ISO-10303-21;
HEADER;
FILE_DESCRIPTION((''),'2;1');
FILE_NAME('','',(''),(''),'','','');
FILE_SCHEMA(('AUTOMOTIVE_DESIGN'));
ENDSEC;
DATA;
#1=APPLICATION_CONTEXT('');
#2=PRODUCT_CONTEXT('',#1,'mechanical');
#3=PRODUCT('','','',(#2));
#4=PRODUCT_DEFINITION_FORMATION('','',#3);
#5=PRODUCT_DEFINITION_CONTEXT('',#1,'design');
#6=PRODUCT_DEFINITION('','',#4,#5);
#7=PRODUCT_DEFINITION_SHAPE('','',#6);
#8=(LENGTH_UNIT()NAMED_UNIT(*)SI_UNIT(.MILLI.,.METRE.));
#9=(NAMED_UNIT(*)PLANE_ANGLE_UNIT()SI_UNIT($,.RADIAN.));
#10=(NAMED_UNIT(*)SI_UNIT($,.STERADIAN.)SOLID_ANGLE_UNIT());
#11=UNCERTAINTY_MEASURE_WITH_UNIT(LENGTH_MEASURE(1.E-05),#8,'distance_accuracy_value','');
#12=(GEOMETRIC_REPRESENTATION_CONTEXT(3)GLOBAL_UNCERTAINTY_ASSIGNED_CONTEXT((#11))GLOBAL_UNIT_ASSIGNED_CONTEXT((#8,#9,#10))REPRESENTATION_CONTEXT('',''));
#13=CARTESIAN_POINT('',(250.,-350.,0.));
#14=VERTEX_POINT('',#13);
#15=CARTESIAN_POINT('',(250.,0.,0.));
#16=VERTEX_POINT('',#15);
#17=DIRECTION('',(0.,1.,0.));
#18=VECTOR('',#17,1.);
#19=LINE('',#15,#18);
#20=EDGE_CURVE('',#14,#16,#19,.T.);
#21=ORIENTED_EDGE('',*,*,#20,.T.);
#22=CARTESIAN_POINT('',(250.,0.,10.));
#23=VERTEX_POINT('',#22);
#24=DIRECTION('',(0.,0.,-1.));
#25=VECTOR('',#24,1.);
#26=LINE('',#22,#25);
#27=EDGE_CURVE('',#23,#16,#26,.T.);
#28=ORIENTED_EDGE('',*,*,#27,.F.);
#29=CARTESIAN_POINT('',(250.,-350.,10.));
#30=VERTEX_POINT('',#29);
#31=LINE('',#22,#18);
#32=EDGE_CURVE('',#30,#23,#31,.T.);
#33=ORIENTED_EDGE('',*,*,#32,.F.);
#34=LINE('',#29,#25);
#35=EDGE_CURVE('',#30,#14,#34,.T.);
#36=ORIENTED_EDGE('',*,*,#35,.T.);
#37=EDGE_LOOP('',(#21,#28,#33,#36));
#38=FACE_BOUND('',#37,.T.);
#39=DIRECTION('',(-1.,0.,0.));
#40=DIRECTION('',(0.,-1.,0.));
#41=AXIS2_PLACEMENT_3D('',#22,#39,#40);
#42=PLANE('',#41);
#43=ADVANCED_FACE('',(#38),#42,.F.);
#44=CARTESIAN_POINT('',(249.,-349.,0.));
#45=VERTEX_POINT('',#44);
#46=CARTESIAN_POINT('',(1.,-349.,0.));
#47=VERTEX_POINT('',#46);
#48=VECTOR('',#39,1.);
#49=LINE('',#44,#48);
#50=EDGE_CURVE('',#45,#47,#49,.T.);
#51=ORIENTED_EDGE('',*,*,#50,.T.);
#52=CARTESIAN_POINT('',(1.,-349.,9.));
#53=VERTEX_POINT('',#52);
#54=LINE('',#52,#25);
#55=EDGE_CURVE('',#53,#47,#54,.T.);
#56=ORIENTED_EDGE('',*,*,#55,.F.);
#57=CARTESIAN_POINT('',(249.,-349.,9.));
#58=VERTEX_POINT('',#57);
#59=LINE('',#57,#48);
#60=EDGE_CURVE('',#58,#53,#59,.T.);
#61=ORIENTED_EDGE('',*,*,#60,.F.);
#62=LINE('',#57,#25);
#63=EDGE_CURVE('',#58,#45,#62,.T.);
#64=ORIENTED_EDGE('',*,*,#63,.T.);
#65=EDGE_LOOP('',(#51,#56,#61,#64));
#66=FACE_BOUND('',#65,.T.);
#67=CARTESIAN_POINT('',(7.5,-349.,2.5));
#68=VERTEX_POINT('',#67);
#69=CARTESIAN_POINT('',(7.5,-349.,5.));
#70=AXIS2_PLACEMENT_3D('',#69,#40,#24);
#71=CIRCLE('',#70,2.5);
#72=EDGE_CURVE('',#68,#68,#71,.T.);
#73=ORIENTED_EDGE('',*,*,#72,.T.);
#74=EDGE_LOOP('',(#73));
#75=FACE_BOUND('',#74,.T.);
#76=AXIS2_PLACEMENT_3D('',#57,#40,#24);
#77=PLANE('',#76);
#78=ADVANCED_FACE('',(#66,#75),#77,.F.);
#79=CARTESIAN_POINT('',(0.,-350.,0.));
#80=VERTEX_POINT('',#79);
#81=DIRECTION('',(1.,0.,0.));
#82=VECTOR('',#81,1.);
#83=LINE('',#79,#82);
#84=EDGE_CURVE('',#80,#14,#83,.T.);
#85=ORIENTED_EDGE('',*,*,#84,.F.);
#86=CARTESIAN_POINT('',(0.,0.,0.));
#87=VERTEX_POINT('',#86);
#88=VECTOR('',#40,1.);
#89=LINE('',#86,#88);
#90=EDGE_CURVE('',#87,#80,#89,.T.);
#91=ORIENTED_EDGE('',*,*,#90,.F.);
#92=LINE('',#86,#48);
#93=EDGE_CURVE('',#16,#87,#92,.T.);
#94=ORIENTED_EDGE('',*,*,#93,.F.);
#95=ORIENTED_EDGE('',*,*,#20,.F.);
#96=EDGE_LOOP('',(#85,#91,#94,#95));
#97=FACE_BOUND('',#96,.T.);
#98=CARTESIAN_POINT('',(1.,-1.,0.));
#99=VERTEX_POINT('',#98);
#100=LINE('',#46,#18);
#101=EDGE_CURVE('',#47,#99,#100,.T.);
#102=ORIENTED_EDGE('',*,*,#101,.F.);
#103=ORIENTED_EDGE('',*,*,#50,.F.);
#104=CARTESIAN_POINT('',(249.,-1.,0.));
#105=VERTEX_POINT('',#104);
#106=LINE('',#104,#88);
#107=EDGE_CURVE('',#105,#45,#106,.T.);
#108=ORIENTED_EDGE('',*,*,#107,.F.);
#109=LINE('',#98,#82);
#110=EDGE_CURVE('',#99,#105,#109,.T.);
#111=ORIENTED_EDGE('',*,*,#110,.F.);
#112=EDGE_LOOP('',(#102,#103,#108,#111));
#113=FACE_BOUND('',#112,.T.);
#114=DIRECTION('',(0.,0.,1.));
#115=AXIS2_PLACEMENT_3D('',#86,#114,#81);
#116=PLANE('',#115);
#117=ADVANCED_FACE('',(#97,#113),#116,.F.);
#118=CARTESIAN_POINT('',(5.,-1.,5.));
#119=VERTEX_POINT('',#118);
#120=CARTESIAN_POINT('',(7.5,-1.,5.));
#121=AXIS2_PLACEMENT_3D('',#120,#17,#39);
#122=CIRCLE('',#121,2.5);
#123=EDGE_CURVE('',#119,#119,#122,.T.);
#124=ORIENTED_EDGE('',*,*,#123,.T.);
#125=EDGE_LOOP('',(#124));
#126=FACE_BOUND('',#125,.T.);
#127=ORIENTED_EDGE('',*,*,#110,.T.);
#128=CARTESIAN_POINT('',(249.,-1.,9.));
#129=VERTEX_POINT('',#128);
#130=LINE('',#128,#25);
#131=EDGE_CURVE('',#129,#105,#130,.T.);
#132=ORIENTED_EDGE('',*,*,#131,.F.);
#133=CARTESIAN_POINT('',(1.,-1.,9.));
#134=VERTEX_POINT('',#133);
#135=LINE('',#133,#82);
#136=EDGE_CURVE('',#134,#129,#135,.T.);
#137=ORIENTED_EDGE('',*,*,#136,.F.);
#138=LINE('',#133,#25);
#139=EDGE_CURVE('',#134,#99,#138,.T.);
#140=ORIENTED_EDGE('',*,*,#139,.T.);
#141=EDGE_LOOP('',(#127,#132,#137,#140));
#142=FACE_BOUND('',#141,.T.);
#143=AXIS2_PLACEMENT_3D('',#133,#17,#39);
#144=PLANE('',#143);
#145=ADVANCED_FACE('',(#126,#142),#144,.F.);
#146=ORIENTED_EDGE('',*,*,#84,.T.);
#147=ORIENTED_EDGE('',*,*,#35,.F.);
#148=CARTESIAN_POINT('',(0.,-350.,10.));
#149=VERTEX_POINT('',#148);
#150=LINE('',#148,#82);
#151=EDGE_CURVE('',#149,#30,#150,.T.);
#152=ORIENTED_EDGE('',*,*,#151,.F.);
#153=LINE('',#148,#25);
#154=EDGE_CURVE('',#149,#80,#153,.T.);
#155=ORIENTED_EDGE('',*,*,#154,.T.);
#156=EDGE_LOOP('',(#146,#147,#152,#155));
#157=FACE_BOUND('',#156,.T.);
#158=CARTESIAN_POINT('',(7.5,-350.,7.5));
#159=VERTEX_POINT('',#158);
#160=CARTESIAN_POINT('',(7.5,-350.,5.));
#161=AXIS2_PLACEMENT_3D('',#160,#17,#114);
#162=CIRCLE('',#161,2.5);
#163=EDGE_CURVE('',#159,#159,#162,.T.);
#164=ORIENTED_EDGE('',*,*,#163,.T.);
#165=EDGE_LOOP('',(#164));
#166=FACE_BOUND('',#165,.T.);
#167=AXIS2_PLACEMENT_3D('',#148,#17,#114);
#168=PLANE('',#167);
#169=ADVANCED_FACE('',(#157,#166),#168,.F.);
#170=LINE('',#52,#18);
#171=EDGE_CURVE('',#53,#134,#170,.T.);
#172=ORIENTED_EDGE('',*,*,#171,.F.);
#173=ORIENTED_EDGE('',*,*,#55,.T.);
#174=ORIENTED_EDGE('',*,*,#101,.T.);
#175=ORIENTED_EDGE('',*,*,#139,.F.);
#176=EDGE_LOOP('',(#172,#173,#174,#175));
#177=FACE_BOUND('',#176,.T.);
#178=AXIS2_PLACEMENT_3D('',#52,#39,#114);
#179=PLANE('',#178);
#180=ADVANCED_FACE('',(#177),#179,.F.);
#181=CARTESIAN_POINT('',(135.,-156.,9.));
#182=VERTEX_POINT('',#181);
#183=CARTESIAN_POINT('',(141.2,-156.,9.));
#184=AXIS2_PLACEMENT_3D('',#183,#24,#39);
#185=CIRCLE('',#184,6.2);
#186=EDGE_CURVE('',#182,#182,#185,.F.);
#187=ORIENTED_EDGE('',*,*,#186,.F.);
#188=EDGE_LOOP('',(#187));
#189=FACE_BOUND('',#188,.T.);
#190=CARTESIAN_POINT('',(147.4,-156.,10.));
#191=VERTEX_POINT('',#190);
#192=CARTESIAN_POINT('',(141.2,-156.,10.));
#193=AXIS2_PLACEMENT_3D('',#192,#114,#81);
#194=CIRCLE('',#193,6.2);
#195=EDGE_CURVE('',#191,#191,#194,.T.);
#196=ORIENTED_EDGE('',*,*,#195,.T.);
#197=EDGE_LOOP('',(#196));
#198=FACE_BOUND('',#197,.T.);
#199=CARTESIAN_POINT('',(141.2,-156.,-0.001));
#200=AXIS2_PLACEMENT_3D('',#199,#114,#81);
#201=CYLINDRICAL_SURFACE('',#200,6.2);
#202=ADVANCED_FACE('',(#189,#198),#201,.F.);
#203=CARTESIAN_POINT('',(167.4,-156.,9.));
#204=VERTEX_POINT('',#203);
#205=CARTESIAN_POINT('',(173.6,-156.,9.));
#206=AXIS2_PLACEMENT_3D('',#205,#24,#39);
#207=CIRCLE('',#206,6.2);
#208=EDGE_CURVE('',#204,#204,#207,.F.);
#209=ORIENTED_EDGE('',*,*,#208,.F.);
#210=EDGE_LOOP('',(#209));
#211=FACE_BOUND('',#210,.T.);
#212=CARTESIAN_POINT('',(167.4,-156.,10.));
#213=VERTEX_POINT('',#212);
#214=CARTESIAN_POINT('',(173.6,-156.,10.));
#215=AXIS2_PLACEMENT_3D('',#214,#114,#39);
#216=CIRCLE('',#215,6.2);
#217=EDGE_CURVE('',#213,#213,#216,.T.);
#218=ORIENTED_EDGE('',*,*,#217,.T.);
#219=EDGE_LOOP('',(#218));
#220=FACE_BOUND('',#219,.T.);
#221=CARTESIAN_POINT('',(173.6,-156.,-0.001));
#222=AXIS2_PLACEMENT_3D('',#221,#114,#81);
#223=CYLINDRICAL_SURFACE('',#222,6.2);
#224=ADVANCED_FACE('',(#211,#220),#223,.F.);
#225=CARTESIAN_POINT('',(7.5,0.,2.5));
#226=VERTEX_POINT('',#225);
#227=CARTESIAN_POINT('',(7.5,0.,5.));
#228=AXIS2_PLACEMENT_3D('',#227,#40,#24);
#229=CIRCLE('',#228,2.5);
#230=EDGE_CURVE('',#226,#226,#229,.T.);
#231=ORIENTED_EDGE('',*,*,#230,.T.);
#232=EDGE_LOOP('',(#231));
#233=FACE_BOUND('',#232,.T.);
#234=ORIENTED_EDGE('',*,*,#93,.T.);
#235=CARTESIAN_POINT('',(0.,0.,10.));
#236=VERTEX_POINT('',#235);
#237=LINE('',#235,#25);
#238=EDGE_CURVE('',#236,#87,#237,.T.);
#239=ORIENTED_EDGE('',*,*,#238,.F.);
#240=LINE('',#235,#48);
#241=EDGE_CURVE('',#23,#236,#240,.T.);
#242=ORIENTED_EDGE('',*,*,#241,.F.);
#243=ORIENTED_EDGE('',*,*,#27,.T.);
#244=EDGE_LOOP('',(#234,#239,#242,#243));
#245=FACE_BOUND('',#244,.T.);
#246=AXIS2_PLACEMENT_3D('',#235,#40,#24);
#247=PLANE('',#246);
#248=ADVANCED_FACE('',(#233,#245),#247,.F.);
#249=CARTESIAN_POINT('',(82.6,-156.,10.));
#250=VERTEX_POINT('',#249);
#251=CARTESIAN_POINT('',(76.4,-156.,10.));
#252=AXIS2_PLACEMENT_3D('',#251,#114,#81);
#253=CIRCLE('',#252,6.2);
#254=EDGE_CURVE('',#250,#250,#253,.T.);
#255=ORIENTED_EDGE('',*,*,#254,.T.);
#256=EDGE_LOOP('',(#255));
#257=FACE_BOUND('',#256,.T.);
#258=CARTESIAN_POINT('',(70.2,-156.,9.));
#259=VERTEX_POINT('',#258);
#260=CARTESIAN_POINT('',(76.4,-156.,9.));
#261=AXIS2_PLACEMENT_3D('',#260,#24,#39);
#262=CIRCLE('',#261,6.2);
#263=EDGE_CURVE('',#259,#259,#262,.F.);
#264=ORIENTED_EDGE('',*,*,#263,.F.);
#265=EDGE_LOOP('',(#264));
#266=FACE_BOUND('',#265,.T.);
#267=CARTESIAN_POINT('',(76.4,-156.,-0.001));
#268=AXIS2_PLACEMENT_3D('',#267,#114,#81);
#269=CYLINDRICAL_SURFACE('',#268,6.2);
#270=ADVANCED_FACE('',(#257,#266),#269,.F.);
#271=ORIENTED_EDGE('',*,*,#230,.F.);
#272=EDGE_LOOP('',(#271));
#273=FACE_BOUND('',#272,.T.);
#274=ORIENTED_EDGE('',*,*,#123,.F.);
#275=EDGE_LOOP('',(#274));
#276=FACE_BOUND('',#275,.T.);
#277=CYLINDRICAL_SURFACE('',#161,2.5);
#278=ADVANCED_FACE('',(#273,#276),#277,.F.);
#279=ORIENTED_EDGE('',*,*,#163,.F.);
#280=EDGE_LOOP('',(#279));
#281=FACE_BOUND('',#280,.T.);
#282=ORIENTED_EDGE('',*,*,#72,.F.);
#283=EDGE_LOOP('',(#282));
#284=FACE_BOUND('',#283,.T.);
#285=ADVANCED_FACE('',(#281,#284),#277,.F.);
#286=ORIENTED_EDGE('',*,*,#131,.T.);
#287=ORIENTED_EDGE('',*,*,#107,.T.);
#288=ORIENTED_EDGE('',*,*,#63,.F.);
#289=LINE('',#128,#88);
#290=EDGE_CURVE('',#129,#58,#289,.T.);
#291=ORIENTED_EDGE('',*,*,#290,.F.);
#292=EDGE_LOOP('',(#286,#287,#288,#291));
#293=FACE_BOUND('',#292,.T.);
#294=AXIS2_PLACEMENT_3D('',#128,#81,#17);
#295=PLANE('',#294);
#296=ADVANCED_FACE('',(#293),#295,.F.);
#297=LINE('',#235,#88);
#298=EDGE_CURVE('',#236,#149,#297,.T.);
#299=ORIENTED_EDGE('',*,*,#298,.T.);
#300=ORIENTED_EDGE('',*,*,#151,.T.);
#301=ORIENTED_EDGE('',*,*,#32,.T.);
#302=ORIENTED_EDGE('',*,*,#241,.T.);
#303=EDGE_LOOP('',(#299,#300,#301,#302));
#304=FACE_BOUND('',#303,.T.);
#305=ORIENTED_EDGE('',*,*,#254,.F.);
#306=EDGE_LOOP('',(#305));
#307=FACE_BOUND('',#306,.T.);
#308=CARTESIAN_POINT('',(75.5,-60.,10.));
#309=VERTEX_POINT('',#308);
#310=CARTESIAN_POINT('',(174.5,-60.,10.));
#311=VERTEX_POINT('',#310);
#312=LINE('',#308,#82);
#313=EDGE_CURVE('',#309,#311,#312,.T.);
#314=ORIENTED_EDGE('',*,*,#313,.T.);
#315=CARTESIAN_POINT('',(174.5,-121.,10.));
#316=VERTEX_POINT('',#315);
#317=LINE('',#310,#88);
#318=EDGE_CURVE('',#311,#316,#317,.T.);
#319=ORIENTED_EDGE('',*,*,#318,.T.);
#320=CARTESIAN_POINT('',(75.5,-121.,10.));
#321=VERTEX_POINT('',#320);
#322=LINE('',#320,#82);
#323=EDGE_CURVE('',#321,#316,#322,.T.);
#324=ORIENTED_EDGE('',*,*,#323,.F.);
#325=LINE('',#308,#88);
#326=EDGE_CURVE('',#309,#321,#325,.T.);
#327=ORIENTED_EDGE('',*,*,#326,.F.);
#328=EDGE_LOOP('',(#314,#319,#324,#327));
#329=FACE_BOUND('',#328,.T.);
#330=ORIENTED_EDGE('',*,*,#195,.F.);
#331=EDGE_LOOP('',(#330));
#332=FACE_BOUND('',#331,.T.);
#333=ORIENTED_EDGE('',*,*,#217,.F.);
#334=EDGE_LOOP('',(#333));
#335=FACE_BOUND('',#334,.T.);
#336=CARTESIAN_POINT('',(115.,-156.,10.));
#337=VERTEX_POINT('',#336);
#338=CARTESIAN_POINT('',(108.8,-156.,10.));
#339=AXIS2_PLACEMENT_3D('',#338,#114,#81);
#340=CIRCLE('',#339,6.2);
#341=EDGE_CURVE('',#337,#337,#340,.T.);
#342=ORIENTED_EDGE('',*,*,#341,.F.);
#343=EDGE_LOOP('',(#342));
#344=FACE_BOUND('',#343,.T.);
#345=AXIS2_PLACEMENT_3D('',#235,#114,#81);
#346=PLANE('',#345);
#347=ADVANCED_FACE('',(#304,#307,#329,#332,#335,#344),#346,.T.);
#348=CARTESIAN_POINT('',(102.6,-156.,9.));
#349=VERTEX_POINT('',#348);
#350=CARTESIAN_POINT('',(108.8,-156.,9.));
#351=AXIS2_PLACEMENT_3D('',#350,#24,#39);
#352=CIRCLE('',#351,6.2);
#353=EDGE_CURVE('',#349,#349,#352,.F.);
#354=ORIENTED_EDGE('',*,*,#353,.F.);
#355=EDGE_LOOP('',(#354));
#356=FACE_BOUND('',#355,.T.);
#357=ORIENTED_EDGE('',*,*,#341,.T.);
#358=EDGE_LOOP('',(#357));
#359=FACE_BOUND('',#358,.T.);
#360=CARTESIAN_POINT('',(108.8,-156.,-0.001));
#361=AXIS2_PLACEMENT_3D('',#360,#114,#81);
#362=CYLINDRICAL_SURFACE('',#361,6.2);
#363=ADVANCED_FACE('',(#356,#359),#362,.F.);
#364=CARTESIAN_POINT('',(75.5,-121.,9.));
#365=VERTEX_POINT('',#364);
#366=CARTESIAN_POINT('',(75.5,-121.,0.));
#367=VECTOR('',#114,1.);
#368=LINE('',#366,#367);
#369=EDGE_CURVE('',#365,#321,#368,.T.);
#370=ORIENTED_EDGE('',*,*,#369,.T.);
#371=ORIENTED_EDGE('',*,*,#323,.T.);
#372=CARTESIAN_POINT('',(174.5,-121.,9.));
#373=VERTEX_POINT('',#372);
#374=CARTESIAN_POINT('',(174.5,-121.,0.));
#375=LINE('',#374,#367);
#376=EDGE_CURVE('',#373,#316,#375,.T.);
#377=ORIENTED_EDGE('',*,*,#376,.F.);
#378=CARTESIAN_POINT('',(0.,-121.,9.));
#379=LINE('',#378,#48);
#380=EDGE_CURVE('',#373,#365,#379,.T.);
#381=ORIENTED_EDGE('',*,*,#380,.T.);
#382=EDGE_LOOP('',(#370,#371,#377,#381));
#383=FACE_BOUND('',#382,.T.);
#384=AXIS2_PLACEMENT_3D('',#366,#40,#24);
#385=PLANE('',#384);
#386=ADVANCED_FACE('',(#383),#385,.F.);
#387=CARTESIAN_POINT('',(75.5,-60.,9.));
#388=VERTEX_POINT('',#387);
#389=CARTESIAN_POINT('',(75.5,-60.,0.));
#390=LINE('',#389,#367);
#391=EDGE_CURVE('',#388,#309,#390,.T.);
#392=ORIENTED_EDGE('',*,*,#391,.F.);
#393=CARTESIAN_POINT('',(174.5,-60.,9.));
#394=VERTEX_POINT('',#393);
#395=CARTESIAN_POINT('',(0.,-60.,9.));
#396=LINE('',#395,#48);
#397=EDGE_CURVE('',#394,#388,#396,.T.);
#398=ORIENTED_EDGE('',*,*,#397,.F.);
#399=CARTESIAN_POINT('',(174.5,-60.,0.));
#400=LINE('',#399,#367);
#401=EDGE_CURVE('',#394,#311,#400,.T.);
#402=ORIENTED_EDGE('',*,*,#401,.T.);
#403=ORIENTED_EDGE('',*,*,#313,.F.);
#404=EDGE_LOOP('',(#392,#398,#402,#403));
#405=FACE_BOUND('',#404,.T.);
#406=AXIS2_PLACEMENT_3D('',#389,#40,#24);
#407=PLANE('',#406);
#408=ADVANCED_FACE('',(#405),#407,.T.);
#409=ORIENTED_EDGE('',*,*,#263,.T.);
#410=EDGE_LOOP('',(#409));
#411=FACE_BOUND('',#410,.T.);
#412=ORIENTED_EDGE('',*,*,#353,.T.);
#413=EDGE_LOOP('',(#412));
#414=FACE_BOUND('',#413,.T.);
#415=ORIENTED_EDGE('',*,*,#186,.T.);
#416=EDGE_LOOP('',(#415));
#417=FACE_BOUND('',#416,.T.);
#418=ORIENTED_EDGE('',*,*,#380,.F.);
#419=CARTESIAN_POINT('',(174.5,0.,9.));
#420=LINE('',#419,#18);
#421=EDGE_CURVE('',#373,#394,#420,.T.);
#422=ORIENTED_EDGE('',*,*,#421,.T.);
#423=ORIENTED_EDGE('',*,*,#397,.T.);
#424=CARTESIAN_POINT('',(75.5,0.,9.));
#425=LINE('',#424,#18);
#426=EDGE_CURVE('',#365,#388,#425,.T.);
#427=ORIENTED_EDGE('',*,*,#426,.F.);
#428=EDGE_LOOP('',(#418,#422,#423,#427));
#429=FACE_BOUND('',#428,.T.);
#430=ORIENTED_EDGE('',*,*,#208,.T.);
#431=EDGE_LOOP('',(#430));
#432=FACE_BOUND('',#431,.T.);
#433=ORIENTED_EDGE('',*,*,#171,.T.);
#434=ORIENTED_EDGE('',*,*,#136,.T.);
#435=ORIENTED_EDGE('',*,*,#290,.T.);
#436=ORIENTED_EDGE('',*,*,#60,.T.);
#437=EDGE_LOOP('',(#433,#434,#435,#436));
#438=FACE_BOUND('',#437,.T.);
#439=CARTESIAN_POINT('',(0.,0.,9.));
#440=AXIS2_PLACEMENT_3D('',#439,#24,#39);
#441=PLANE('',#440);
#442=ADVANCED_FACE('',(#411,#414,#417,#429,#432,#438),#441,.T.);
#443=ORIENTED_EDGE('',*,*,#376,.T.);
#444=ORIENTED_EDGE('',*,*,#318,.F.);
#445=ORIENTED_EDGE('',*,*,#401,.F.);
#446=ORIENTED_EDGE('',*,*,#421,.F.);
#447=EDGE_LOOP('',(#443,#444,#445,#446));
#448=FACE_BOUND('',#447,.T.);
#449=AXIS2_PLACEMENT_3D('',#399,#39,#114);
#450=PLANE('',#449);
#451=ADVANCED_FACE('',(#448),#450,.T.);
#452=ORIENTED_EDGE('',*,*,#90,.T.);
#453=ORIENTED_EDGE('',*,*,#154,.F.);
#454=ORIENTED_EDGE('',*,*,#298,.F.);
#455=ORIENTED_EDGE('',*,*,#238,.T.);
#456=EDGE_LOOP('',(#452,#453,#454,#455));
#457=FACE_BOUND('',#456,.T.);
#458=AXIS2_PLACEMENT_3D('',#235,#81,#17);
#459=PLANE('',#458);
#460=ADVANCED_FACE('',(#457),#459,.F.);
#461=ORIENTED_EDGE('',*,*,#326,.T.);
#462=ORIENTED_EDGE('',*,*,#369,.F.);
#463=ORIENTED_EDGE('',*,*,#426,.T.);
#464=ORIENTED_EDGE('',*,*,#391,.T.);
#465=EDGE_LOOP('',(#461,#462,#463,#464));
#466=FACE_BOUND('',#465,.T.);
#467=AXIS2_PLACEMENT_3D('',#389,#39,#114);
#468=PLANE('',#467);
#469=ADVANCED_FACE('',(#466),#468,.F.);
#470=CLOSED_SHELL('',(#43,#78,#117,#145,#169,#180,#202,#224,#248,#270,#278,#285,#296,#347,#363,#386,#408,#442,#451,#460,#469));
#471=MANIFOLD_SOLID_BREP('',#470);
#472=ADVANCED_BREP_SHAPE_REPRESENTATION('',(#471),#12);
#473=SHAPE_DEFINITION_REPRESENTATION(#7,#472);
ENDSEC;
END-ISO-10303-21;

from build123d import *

# Parameters (mm, degrees)
SKETCH1_W               = 250
SKETCH1_H               = 350
BOSS_EXTRUDE1_DEPTH     = 10
SKETCH2_W               = 248
SKETCH2_H               = 348
CUT_EXTRUDE1_DEPTH      = 9
CUT_EXTRUDE2_DEPTH      = 431.232495286
CUT_EXTRUDE2_DEPTH_BACK = 431.232495286
SKETCH3_R               = 2.5
SKETCH4_W               = 99
SKETCH4_H               = 61
CUT_EXTRUDE3_DEPTH      = 10
CUT_EXTRUDE4_REACH      = 432.232
SKETCH5_R               = 6.2


with BuildPart() as part:
    # Sketch1 → Boss-Extrude1 (new body)
    with BuildSketch(Plane.XY):
        with Locations((125, -175)):
            Rectangle(SKETCH1_W, SKETCH1_H)
    extrude(amount=BOSS_EXTRUDE1_DEPTH)

    # Sketch2 → Cut-Extrude1 (cut)
    with BuildSketch(Plane(origin=(0, 0, 0), x_dir=(-1, 0, 0), z_dir=(0, 0, -1))):
        with Locations((-125, -175)):
            Rectangle(SKETCH2_W, SKETCH2_H)
    extrude(amount=-CUT_EXTRUDE1_DEPTH, mode=Mode.SUBTRACT)

    # Sketch3 → Cut-Extrude2 (cut, two sides: drawn at the far end of the back side and taken through both)
    with BuildSketch(Plane(origin=(0, 0, 0), x_dir=(1, 0, 0), z_dir=(0, 1, 0)).offset(-CUT_EXTRUDE2_DEPTH_BACK)):
        with Locations(Location((7.5, -5, 0), (0, 0, 270))):
            Circle(SKETCH3_R)
    extrude(amount=CUT_EXTRUDE2_DEPTH + CUT_EXTRUDE2_DEPTH_BACK, mode=Mode.SUBTRACT)

    # Sketch4 → Cut-Extrude3 (cut)
    with BuildSketch(Plane.XY.offset(10)):
        with Locations((125, -90.5)):
            Rectangle(SKETCH4_W, SKETCH4_H)
    extrude(amount=-CUT_EXTRUDE3_DEPTH, mode=Mode.SUBTRACT)

    # Sketch5 → Cut-Extrude4 (cut, up to next)
    with BuildSketch(Plane.XY.offset(10), mode=Mode.PRIVATE) as cut_extrude4_sk1:
        with Locations((108.8, -156)):
            Circle(SKETCH5_R)
    cut_extrude4_tool1 = extrude(cut_extrude4_sk1.sketch, amount=-CUT_EXTRUDE4_REACH, mode=Mode.PRIVATE) & part.part
    # Sketch5 → Cut-Extrude4 (cut, up to next)
    with BuildSketch(Plane.XY.offset(10), mode=Mode.PRIVATE) as cut_extrude4_sk2:
        with Locations((141.2, -156)):
            Circle(SKETCH5_R)
    cut_extrude4_tool2 = extrude(cut_extrude4_sk2.sketch, amount=-CUT_EXTRUDE4_REACH, mode=Mode.PRIVATE) & part.part
    # Sketch5 → Cut-Extrude4 (cut, up to next)
    with BuildSketch(Plane.XY.offset(10), mode=Mode.PRIVATE) as cut_extrude4_sk3:
        with Locations((76.4, -156)):
            Circle(SKETCH5_R)
    cut_extrude4_tool3 = extrude(cut_extrude4_sk3.sketch, amount=-CUT_EXTRUDE4_REACH, mode=Mode.PRIVATE) & part.part
    # Sketch5 → Cut-Extrude4 (cut, up to next)
    with BuildSketch(Plane.XY.offset(10), mode=Mode.PRIVATE) as cut_extrude4_sk4:
        with Locations(Location((173.6, -156, 0), (0, 0, 180))):
            Circle(SKETCH5_R)
    cut_extrude4_tool4 = extrude(cut_extrude4_sk4.sketch, amount=-CUT_EXTRUDE4_REACH, mode=Mode.PRIVATE) & part.part
    add(cut_extrude4_tool1.solids().sort_by_distance((108.8, -156, 10))[0], mode=Mode.SUBTRACT)
    add(cut_extrude4_tool2.solids().sort_by_distance((141.2, -156, 10))[0], mode=Mode.SUBTRACT)
    add(cut_extrude4_tool3.solids().sort_by_distance((76.4, -156, 10))[0], mode=Mode.SUBTRACT)
    add(cut_extrude4_tool4.solids().sort_by_distance((173.6, -156, 10))[0], mode=Mode.SUBTRACT)


solid = part.part
